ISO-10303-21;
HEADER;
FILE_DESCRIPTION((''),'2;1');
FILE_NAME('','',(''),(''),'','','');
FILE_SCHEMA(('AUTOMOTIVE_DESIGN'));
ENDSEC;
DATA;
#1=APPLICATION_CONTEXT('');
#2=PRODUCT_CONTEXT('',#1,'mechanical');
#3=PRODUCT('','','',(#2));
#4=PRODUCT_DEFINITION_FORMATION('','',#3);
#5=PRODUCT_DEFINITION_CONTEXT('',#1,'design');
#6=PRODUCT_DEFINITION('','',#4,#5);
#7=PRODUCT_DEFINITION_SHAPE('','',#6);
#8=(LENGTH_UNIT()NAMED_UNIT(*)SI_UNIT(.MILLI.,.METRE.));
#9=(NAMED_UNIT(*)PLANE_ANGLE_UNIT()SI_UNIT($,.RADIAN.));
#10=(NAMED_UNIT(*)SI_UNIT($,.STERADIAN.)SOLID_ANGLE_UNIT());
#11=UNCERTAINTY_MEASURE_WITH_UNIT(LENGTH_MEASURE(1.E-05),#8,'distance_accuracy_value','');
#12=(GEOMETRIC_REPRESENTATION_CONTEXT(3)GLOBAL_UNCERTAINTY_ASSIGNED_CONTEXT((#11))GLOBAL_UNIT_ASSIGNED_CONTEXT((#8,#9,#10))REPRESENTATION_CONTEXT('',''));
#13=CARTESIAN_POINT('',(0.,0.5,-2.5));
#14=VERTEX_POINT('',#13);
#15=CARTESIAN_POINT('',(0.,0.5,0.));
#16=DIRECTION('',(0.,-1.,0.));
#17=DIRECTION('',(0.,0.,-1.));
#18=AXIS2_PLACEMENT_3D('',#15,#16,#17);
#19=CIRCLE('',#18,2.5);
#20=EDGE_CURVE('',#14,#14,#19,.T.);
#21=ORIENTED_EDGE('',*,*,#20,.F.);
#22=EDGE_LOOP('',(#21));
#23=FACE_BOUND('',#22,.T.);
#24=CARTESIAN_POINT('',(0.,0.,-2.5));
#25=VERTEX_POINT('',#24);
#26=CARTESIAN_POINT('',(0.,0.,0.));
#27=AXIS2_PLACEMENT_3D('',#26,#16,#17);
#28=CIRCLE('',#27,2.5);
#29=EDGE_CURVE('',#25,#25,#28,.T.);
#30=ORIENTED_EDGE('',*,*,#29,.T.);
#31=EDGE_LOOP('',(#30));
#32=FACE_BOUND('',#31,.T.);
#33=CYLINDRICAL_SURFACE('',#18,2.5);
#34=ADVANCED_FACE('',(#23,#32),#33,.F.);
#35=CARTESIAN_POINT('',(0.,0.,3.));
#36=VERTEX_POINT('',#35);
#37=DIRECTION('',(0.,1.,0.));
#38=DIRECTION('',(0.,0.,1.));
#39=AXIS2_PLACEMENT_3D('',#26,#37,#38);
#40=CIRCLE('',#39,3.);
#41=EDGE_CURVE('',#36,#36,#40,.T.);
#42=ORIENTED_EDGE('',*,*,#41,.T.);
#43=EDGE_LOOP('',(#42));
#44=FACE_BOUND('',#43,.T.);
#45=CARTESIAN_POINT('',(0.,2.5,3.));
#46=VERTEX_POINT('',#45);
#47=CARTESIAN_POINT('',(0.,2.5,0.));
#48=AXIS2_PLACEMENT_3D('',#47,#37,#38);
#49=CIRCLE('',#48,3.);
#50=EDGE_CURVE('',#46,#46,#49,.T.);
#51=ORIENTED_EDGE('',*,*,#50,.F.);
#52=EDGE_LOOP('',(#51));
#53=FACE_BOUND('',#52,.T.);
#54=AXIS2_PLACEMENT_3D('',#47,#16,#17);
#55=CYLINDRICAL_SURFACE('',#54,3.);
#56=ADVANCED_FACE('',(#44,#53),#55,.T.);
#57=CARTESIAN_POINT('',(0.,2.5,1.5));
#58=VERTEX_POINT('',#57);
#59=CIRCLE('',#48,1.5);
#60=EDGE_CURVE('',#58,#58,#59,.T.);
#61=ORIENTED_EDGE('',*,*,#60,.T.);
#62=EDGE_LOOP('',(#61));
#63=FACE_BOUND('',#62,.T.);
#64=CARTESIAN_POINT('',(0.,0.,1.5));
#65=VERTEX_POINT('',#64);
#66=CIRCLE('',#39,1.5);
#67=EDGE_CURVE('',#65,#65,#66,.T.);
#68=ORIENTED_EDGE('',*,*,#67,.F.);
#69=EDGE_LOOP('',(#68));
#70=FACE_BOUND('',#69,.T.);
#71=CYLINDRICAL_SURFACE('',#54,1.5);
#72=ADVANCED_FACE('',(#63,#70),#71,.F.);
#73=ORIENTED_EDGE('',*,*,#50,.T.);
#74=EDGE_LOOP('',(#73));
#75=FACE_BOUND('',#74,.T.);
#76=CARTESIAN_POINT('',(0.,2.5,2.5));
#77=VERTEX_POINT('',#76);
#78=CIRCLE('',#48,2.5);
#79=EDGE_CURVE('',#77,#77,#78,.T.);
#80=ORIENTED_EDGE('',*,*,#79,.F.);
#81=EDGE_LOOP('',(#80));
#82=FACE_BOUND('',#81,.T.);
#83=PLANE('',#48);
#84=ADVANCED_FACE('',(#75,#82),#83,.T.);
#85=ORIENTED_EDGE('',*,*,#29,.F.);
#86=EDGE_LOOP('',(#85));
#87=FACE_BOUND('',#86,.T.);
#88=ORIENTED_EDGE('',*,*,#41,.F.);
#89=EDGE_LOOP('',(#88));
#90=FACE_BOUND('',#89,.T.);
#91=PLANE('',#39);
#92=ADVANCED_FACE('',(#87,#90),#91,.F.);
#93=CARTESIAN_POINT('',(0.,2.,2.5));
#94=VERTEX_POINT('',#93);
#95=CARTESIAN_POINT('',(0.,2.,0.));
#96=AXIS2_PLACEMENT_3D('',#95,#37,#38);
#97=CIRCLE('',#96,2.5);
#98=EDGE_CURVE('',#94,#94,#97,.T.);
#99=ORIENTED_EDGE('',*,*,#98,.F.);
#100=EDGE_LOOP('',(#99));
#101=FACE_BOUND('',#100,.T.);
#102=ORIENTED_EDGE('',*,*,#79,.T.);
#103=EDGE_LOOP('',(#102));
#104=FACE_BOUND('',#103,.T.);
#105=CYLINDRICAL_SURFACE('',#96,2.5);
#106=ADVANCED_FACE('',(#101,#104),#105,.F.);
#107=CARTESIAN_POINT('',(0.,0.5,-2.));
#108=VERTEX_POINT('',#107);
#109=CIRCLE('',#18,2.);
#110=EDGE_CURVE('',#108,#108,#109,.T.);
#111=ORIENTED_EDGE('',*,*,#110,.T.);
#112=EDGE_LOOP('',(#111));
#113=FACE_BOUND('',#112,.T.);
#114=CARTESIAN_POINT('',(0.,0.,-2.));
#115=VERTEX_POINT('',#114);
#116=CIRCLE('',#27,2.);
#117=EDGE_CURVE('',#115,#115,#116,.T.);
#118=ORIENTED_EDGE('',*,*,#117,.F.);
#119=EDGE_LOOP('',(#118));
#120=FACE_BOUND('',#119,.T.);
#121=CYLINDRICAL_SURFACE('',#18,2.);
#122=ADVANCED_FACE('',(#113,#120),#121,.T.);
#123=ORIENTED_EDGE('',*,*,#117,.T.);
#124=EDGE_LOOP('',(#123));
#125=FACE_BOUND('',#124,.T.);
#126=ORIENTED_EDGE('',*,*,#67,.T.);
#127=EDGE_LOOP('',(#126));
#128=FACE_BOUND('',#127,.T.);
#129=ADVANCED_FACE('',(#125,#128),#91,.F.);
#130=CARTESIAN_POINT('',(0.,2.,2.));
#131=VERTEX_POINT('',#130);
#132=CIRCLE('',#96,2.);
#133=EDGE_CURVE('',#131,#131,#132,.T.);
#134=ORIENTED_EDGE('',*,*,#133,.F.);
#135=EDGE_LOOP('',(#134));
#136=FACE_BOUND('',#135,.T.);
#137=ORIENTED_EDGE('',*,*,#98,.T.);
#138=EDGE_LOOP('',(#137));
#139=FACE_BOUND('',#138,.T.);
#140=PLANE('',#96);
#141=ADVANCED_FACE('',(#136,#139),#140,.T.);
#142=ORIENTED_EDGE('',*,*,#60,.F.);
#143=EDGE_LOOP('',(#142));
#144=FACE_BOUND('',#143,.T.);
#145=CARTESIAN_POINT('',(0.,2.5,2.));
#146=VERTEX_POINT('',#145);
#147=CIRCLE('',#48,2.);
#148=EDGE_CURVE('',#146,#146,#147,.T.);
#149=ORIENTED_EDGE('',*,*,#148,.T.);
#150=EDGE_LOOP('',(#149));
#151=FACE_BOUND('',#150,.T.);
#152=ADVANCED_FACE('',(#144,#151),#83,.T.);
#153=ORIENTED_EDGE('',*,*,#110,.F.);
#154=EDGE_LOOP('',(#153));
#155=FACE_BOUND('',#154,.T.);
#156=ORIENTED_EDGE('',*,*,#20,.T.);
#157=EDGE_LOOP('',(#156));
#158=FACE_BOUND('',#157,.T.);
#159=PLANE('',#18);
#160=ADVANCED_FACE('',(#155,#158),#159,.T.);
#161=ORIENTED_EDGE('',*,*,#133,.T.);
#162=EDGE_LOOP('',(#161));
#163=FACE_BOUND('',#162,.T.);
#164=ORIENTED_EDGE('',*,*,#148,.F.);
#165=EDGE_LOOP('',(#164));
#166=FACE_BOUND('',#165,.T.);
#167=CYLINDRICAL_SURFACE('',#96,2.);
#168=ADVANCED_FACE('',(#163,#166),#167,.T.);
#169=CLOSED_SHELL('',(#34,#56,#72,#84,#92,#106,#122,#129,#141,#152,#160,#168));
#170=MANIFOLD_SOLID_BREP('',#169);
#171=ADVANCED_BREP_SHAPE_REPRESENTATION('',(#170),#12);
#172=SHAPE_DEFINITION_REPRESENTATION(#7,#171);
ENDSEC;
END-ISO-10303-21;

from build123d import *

# Parameters (mm, degrees)
SKETCH_1_R          = 3
SKETCH_1_R_2        = 1.5
EXTRUDE_1_DEPTH     = 2.5
SKETCH_2_R          = 2.5
SKETCH_2_R_2        = 2
CUT_EXTRUDE_1_DEPTH = 0.5
CUT_EXTRUDE_START   = -0.5
SKETCH_3_R          = 2.5
SKETCH_3_R_2        = 2
CUT_EXTRUDE_2_DEPTH = 0.5


with BuildPart() as part:
    # 草图1 → 凸台-拉伸1 (new body)
    with BuildSketch(Plane(origin=(0, 0, 0), x_dir=(1, 0, 0), z_dir=(0, 1, 0))):
        with Locations(Location((0, 0, 0), (0, 0, 270))):
            Circle(SKETCH_1_R)
        with Locations(Location((0, 0, 0), (0, 0, 270))):
            Circle(SKETCH_1_R_2, mode=Mode.SUBTRACT)
    extrude(amount=EXTRUDE_1_DEPTH)

    # 草图2 → 切除-拉伸1 (cut)
    with BuildSketch(Plane(origin=(0, 2.5, 0), x_dir=(1, 0, 0), z_dir=(0, 1, 0))):
        with Locations(Location((0, 0, 0), (0, 0, 270))):
            Circle(SKETCH_2_R)
        with Locations(Location((0, 0, 0), (0, 0, 270))):
            Circle(SKETCH_2_R_2, mode=Mode.SUBTRACT)
    extrude(amount=-CUT_EXTRUDE_1_DEPTH, mode=Mode.SUBTRACT)

    # 草图3 → 切除-拉伸2 (cut)
    with BuildSketch(Plane.XZ.offset(CUT_EXTRUDE_START)):
        with Locations(Location((0, 0, 0), (0, 0, 90))):
            Circle(SKETCH_3_R)
        with Locations(Location((0, 0, 0), (0, 0, 90))):
            Circle(SKETCH_3_R_2, mode=Mode.SUBTRACT)
    extrude(amount=CUT_EXTRUDE_2_DEPTH, mode=Mode.SUBTRACT)


solid = part.part
